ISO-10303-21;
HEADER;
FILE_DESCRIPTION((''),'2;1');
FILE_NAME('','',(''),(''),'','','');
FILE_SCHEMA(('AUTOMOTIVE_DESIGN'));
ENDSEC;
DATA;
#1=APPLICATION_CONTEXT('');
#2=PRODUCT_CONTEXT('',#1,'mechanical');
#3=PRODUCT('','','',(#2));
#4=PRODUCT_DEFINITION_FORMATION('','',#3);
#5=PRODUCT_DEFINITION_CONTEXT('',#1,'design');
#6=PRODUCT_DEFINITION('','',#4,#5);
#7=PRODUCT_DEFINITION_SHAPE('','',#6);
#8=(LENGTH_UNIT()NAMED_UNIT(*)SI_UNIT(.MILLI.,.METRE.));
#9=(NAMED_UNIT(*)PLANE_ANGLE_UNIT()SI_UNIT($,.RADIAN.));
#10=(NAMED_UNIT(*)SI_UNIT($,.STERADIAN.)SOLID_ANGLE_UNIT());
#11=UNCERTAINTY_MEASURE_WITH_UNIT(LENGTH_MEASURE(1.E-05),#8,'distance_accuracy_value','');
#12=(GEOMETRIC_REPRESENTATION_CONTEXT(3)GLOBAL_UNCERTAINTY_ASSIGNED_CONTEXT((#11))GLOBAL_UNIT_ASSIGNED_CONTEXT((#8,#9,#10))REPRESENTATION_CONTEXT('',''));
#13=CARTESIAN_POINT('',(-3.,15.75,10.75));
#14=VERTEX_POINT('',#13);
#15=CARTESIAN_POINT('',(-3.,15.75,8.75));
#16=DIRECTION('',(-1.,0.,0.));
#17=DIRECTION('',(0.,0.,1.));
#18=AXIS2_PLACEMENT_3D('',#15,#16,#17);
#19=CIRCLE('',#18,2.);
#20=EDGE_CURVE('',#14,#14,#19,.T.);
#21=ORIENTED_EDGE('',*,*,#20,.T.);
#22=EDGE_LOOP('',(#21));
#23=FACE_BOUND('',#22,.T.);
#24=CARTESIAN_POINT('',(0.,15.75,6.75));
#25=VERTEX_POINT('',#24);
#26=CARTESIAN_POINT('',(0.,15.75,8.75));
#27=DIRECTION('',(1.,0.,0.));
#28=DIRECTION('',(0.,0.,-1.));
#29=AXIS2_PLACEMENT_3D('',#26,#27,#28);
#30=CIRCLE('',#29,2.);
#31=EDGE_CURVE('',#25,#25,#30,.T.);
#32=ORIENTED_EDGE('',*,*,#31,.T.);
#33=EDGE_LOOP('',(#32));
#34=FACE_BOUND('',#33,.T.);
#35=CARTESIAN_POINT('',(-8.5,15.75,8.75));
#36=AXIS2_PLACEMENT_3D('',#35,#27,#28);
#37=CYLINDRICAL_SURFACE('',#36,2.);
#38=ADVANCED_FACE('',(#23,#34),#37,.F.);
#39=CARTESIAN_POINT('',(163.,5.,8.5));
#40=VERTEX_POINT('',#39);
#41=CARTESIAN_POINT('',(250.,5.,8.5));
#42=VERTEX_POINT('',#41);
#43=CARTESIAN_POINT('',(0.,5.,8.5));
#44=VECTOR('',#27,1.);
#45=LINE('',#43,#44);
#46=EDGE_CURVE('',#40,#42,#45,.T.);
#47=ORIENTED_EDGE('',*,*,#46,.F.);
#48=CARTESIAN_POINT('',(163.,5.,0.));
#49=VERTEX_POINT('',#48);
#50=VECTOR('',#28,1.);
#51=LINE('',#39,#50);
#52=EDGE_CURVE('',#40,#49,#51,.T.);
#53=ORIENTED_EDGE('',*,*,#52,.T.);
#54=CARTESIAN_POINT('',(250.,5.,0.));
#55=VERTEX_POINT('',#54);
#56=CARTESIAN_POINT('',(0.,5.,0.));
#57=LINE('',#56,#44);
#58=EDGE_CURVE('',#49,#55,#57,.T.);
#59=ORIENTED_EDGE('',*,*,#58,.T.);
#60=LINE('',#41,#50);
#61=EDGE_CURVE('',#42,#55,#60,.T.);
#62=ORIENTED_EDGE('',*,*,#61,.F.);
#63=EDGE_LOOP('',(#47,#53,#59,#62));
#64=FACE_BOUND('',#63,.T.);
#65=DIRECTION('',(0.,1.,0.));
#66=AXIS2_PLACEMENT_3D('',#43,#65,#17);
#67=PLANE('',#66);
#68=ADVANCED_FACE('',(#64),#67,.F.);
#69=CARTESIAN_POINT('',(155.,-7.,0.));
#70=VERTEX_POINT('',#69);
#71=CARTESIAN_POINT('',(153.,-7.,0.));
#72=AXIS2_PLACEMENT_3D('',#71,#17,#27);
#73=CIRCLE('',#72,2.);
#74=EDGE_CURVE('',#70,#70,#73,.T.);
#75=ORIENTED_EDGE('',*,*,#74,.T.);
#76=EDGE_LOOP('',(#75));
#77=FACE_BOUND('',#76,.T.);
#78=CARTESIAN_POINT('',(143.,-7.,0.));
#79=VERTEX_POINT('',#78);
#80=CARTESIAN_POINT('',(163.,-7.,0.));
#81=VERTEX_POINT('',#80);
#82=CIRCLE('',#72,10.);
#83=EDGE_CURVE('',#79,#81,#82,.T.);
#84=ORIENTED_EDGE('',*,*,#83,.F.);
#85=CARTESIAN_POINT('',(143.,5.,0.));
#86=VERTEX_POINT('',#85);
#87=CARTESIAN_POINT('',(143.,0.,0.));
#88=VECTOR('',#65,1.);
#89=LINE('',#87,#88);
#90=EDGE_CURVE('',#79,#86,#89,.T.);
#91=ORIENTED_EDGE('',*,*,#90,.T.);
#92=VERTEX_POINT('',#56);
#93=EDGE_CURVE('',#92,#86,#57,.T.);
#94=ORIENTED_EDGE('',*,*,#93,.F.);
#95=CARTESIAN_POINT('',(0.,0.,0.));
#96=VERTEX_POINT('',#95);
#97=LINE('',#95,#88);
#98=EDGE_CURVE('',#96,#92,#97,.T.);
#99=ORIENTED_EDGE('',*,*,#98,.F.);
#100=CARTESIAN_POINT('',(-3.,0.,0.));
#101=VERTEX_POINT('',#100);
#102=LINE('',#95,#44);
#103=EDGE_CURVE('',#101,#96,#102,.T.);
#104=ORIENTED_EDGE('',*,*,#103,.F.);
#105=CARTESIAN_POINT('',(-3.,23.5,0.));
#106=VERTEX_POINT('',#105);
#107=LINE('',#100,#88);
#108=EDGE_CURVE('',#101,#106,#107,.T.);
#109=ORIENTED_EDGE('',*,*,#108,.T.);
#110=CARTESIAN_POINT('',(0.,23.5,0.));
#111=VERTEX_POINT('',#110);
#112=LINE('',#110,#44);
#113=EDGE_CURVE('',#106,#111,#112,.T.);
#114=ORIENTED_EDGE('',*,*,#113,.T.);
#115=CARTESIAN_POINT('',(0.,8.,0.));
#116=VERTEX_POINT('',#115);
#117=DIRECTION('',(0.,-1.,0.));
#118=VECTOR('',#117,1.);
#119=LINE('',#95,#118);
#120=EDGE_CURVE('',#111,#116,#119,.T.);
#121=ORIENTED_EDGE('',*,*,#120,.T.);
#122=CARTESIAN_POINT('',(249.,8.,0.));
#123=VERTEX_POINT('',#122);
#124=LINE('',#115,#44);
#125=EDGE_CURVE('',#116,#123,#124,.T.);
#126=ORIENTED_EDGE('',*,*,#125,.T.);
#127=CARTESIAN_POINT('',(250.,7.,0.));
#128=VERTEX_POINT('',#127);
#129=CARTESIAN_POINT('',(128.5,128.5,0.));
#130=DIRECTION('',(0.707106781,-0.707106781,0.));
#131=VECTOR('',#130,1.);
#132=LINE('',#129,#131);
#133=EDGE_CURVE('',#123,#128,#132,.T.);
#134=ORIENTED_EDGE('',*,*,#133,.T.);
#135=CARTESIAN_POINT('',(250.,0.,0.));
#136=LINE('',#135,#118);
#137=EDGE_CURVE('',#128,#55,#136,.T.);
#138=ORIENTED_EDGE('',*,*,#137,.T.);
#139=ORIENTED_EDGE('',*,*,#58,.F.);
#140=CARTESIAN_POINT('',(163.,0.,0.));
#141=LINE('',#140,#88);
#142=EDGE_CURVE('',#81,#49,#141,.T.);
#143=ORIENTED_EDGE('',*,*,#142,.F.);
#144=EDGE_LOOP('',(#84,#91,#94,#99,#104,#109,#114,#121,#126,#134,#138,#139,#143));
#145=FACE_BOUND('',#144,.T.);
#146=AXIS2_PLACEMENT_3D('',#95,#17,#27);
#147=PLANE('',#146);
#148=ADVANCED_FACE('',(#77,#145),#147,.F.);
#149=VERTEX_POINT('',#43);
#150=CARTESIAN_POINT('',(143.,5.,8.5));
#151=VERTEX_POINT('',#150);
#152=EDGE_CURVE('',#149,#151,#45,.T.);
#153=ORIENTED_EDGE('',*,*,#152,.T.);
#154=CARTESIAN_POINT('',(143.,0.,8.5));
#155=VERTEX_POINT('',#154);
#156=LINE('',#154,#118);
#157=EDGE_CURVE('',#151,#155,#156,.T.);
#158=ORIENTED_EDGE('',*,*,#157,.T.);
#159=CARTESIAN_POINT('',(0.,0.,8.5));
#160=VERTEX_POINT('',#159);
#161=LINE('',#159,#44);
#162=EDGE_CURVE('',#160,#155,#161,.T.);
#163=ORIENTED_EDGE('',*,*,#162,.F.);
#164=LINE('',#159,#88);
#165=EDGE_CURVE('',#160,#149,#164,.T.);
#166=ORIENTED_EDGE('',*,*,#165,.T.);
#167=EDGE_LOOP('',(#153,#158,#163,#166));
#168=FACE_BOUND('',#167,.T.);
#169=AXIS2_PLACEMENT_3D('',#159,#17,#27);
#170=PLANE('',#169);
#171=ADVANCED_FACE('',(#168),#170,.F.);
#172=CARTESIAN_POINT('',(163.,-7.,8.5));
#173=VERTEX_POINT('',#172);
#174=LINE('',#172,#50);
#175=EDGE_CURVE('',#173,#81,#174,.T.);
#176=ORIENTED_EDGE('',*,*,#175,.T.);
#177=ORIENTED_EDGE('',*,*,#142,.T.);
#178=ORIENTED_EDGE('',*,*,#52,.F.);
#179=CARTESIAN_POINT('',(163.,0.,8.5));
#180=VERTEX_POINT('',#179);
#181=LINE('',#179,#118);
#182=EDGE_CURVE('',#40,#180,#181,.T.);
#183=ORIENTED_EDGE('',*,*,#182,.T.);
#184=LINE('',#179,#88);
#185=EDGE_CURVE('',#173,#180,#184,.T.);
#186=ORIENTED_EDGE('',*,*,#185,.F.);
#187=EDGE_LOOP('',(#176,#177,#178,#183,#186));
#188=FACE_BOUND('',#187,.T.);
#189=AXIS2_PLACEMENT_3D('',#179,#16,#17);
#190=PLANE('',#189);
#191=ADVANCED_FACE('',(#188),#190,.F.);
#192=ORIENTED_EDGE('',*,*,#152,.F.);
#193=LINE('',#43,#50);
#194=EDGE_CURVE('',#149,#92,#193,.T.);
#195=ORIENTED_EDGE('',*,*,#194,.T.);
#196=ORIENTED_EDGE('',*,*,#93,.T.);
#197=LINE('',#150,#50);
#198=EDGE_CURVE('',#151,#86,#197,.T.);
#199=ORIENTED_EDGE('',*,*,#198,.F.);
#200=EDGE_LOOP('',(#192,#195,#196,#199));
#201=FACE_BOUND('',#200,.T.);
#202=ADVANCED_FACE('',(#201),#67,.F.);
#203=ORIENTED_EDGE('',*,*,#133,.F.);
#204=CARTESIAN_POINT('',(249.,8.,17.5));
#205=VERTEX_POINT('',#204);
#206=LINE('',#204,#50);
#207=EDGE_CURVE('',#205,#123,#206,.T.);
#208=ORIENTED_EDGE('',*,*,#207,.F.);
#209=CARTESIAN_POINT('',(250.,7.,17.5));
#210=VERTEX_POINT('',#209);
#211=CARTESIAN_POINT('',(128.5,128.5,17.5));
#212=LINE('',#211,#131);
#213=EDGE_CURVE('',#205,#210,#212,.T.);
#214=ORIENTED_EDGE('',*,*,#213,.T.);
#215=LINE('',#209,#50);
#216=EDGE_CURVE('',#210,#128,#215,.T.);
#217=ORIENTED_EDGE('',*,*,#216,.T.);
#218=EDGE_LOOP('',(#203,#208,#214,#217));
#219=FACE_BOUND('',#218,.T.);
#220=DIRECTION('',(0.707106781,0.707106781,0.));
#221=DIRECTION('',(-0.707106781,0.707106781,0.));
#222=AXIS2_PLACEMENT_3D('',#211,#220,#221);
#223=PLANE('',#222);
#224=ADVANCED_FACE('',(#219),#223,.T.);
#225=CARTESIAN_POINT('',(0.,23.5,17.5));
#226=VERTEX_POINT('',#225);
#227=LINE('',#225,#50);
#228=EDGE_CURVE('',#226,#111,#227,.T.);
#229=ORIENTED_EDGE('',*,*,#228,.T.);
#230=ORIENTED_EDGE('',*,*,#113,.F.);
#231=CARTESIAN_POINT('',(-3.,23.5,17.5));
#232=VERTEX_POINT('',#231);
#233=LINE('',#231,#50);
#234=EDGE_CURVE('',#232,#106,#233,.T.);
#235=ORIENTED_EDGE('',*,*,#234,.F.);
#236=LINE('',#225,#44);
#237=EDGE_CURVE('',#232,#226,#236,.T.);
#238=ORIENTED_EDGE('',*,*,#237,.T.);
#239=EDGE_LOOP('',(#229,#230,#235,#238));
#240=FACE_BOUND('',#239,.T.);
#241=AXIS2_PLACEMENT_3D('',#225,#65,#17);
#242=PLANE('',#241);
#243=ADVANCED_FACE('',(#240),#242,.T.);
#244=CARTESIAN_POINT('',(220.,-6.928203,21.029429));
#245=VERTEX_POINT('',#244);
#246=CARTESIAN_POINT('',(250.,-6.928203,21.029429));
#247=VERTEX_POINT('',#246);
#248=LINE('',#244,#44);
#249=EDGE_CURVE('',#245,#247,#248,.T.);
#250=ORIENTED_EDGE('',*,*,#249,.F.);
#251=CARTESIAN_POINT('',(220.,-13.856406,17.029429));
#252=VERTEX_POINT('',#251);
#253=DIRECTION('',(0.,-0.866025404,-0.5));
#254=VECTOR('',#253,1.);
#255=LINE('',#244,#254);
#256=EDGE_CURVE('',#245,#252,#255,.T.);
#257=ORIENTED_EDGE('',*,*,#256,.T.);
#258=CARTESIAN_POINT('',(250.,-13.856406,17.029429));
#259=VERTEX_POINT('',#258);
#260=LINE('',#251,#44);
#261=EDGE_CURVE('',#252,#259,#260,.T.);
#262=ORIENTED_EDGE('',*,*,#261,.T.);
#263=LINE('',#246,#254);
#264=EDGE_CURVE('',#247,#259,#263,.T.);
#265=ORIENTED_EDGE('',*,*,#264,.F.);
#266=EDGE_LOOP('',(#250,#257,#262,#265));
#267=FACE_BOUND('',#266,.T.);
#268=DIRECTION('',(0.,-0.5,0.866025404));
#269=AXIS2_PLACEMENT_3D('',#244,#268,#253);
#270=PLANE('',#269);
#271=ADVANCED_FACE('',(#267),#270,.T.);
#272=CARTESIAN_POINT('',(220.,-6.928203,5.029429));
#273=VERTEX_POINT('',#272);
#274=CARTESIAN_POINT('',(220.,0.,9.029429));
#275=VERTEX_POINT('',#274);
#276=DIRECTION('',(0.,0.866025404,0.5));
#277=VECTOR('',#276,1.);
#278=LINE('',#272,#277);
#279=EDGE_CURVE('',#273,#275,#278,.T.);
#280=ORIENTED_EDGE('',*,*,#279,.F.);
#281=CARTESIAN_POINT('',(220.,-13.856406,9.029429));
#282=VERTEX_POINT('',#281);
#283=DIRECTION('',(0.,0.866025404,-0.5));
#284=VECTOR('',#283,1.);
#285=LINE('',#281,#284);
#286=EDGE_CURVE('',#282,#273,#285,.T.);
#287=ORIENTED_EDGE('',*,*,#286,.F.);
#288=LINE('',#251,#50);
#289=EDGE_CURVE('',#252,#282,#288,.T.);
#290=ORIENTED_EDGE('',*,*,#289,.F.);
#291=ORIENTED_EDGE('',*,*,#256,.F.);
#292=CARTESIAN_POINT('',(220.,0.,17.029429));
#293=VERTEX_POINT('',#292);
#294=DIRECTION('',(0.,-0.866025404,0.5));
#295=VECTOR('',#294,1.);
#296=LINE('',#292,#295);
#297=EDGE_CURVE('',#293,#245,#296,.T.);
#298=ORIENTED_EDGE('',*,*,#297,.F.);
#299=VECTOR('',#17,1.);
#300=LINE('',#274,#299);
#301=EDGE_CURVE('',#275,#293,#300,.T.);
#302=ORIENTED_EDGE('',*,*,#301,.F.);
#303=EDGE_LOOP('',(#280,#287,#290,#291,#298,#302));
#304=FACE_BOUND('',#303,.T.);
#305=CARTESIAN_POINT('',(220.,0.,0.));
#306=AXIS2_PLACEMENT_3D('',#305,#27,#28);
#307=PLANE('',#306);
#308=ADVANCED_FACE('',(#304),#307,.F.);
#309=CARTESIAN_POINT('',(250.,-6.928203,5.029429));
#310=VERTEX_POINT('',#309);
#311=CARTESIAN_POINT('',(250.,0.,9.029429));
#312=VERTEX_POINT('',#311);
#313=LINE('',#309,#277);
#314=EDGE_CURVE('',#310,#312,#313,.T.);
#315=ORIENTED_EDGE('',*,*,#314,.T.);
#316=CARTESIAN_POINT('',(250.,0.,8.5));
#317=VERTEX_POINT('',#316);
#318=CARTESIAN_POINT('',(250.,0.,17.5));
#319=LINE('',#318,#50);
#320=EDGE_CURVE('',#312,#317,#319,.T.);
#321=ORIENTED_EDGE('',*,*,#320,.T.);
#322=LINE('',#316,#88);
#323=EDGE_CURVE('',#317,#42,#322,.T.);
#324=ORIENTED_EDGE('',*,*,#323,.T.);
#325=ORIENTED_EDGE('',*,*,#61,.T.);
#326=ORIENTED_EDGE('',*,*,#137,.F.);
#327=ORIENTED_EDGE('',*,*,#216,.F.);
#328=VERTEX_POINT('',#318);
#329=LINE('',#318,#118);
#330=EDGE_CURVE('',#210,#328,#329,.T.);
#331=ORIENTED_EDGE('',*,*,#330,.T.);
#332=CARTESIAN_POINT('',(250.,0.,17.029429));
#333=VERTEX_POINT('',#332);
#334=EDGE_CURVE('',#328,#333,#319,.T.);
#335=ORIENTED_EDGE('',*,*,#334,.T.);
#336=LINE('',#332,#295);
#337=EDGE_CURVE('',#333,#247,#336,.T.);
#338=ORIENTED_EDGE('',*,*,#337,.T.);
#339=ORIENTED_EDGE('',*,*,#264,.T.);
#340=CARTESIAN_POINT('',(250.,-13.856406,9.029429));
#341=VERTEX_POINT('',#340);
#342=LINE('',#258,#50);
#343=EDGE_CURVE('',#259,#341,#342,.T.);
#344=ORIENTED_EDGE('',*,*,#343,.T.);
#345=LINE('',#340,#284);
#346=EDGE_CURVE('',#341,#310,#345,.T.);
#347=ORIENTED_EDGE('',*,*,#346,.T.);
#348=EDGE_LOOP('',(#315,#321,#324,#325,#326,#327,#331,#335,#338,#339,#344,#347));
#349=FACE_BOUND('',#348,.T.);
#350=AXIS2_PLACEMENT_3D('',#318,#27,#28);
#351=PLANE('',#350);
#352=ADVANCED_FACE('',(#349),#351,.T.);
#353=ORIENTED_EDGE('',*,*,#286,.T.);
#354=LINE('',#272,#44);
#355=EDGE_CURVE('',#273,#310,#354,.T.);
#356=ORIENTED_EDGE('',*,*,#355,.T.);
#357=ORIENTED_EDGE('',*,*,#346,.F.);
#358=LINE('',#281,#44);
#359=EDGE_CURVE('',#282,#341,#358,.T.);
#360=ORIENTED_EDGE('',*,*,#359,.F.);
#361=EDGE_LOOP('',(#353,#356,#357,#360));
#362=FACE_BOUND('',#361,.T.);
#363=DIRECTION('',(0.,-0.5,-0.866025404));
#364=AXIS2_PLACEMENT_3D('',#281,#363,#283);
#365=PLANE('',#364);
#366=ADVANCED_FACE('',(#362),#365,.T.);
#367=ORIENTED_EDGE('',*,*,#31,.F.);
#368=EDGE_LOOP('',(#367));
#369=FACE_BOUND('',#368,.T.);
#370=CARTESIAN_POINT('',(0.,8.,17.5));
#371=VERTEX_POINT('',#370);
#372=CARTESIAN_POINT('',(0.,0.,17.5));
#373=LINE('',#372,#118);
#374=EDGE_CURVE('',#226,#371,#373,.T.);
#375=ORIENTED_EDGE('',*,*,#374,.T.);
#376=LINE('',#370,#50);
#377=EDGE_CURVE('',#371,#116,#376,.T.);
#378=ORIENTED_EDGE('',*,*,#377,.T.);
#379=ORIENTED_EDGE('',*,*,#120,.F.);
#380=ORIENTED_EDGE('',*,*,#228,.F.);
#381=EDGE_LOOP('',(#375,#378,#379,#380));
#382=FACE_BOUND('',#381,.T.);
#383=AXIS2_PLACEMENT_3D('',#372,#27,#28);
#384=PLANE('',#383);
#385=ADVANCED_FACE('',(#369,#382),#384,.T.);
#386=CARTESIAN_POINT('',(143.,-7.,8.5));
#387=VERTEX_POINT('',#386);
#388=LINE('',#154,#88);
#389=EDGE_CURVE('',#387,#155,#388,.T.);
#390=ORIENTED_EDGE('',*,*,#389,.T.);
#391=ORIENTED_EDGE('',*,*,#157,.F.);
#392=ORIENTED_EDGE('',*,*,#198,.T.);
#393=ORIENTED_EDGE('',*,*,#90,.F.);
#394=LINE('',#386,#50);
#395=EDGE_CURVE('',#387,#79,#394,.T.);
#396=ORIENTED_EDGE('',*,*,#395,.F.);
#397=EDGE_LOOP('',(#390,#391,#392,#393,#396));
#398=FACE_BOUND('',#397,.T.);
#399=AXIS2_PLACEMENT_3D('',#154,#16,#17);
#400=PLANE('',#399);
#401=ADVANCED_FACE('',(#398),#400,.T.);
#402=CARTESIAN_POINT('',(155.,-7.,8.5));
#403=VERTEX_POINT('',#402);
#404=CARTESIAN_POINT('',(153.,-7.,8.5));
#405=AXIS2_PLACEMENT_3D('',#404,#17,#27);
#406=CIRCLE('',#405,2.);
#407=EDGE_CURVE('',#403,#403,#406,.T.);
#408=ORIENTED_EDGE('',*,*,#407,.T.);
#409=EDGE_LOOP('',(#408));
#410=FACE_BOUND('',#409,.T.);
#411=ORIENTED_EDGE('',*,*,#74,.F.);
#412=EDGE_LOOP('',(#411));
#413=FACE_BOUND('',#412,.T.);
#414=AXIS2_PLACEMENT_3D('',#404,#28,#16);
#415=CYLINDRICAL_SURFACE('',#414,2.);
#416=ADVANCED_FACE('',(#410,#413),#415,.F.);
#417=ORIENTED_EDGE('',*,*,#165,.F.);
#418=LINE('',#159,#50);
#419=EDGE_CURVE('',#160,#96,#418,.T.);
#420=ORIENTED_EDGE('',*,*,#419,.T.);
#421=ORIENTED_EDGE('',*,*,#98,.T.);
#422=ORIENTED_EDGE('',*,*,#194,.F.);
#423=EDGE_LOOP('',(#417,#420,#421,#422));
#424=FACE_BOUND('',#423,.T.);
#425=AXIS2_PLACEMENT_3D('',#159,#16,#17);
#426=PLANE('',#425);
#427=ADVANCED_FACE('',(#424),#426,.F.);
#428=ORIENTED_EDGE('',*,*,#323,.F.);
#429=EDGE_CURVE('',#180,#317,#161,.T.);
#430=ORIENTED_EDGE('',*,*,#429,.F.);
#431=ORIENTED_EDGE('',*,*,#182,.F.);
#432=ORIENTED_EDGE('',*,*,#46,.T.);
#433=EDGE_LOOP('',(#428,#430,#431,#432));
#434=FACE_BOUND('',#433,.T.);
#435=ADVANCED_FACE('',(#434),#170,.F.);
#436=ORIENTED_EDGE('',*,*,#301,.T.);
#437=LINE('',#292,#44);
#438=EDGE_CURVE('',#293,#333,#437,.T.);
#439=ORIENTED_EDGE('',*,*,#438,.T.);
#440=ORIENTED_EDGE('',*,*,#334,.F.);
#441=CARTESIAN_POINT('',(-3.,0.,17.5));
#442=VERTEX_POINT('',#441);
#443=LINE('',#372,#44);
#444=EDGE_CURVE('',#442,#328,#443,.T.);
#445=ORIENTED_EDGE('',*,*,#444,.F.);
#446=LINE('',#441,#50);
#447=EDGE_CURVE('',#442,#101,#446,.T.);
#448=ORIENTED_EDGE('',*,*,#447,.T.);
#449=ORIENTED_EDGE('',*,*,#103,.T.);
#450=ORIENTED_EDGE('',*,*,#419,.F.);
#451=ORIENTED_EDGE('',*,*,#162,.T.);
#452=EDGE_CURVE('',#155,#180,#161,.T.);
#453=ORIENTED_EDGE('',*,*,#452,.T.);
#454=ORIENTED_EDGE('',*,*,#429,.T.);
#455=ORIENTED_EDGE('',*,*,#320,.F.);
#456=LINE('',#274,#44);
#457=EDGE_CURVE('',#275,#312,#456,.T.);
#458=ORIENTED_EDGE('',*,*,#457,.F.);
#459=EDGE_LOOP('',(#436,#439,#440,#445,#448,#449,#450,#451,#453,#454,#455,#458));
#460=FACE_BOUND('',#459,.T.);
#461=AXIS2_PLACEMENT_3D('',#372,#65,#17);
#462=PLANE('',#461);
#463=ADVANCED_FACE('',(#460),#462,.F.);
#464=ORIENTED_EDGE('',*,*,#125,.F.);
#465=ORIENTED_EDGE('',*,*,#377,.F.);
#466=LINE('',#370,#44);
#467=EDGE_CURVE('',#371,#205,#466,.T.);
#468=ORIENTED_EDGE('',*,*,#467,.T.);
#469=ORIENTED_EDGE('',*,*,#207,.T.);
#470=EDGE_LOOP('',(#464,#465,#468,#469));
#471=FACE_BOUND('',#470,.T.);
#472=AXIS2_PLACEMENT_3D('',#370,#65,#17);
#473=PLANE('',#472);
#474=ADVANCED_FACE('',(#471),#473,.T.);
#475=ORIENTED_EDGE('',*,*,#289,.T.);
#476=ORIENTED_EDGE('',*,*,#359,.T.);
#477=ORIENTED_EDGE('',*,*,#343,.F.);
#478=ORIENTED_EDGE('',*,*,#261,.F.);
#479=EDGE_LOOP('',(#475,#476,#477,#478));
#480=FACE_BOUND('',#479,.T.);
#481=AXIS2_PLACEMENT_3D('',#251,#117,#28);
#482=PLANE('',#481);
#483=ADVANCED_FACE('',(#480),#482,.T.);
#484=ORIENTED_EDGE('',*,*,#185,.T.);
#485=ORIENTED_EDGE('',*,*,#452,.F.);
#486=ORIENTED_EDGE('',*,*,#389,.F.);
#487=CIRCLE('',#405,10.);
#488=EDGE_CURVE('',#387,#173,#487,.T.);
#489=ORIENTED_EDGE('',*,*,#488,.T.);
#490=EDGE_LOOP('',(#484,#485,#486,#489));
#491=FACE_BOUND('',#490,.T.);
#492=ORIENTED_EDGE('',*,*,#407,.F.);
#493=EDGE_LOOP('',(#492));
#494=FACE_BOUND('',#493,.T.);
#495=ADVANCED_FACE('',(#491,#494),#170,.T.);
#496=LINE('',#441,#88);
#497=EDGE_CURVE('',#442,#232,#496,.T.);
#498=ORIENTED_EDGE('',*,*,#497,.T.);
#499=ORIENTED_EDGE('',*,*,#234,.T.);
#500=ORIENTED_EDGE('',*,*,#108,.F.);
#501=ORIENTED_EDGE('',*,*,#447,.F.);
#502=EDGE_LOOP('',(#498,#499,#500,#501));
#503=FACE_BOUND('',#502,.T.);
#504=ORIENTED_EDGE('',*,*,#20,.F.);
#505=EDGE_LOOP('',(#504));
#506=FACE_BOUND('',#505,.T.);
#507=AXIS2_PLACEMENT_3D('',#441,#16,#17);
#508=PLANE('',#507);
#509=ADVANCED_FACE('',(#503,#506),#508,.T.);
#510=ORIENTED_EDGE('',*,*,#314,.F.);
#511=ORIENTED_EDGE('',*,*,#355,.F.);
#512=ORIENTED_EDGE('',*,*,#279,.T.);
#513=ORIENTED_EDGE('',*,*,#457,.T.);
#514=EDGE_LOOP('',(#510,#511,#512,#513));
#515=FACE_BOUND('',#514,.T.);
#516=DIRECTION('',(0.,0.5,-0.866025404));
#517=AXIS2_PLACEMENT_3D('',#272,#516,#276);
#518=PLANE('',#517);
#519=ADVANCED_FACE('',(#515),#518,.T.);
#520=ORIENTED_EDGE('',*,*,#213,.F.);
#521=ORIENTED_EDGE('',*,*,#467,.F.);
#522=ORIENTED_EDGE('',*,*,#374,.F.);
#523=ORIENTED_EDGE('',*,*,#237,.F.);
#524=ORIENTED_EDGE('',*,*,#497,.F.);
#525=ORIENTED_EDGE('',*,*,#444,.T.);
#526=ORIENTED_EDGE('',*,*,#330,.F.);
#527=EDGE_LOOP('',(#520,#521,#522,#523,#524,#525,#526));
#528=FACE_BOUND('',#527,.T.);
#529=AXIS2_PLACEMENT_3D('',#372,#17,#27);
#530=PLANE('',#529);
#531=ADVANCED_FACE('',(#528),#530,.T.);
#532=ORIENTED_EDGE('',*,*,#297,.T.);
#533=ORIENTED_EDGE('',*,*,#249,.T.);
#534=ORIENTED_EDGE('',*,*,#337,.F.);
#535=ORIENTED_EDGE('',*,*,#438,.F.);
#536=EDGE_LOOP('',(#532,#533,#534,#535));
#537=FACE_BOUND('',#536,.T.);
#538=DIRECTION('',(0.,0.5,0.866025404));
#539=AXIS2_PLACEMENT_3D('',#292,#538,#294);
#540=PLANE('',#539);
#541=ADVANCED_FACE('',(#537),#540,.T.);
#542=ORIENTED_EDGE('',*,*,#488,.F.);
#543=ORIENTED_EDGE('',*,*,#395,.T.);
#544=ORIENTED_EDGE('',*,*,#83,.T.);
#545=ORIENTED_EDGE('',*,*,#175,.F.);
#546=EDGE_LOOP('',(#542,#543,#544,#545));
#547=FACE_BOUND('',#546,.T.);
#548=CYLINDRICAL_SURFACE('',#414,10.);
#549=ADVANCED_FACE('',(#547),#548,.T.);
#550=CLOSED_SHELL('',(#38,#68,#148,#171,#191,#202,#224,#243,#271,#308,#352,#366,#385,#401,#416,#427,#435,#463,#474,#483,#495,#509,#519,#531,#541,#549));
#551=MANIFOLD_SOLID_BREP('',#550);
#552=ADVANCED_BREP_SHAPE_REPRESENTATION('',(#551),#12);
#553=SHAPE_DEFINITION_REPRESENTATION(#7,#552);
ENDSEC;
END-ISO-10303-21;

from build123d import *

# Parameters (mm, degrees)
SKETCH1_W           = 250
SKETCH1_H           = 5
SKETCH1_W_2         = 143
SKETCH1_W_3         = 87
BOSS_EXTRUDE1_DEPTH = 17.5
SKETCH1_3_W         = 250
SKETCH1_3_H         = 5
CUT_EXTRUDE1_DEPTH  = 8.5
SKETCH2_R           = 2
CUT_EXTRUDE2_DEPTH  = 8.5
SKETCH1_5_R         = 2
BOSS_EXTRUDE2_DEPTH = 8.5
BOSS_EXTRUDE3_DEPTH = 30


with BuildPart() as part:
    # Sketch1 → Boss-Extrude1 (new body)
    with BuildSketch(Plane.XY):
        with Locations((125, 2.5)):
            Rectangle(SKETCH1_W, SKETCH1_H)
        Polygon((249, 8), (250, 7), (250, 5), (0, 5), (0, 8), align=None)
        Polygon((0, 23.5), (0, 8), (0, 5), (0, 0), (-3, 0), (-3, 23.5), align=None)
        with Locations((71.5, 2.5)):
            Rectangle(SKETCH1_W_2, SKETCH1_H)
        with Locations((206.5, 2.5)):
            Rectangle(SKETCH1_W_3, SKETCH1_H)
    extrude(amount=BOSS_EXTRUDE1_DEPTH)

    # Sketch1_3 → Cut-Extrude1 (cut)
    with BuildSketch(Plane.XY):
        with Locations((125, 2.5)):
            Rectangle(SKETCH1_3_W, SKETCH1_3_H)
    extrude(amount=CUT_EXTRUDE1_DEPTH, mode=Mode.SUBTRACT)

    # Sketch2 → Cut-Extrude2 (cut)
    with BuildSketch(Plane(origin=(0, 0, 0), x_dir=(0, 0, -1), z_dir=(1, 0, 0))):
        with Locations((-8.75, 15.75)):
            Circle(SKETCH2_R)
    extrude(amount=-CUT_EXTRUDE2_DEPTH, mode=Mode.SUBTRACT)

    # Sketch1_5 → Boss-Extrude2 (add)
    with BuildSketch(Plane.XY):
        with BuildLine():
            Line((163, 5), (143, 5))
            Line((143, 5), (143, -7))
            ThreePointArc((143, -7), (153, -17), (163, -7))
            Line((163, -7), (163, 5))
        make_face()
        with Locations((153, -7)):
            Circle(SKETCH1_5_R, mode=Mode.SUBTRACT)
    extrude(amount=BOSS_EXTRUDE2_DEPTH)

    # Sketch4 → Boss-Extrude3 (add)
    with BuildSketch(Plane(origin=(250, 0, 0), x_dir=(0, 0, -1), z_dir=(1, 0, 0))):
        Polygon((-5.029428908, -6.92820323), (-9.029428908, 0), (-17.029428908, 0), (-21.029428908, -6.92820323), (-17.029428908, -13.856406461), (-9.029428908, -13.856406461), align=None)
    extrude(amount=-BOSS_EXTRUDE3_DEPTH)


solid = part.part
